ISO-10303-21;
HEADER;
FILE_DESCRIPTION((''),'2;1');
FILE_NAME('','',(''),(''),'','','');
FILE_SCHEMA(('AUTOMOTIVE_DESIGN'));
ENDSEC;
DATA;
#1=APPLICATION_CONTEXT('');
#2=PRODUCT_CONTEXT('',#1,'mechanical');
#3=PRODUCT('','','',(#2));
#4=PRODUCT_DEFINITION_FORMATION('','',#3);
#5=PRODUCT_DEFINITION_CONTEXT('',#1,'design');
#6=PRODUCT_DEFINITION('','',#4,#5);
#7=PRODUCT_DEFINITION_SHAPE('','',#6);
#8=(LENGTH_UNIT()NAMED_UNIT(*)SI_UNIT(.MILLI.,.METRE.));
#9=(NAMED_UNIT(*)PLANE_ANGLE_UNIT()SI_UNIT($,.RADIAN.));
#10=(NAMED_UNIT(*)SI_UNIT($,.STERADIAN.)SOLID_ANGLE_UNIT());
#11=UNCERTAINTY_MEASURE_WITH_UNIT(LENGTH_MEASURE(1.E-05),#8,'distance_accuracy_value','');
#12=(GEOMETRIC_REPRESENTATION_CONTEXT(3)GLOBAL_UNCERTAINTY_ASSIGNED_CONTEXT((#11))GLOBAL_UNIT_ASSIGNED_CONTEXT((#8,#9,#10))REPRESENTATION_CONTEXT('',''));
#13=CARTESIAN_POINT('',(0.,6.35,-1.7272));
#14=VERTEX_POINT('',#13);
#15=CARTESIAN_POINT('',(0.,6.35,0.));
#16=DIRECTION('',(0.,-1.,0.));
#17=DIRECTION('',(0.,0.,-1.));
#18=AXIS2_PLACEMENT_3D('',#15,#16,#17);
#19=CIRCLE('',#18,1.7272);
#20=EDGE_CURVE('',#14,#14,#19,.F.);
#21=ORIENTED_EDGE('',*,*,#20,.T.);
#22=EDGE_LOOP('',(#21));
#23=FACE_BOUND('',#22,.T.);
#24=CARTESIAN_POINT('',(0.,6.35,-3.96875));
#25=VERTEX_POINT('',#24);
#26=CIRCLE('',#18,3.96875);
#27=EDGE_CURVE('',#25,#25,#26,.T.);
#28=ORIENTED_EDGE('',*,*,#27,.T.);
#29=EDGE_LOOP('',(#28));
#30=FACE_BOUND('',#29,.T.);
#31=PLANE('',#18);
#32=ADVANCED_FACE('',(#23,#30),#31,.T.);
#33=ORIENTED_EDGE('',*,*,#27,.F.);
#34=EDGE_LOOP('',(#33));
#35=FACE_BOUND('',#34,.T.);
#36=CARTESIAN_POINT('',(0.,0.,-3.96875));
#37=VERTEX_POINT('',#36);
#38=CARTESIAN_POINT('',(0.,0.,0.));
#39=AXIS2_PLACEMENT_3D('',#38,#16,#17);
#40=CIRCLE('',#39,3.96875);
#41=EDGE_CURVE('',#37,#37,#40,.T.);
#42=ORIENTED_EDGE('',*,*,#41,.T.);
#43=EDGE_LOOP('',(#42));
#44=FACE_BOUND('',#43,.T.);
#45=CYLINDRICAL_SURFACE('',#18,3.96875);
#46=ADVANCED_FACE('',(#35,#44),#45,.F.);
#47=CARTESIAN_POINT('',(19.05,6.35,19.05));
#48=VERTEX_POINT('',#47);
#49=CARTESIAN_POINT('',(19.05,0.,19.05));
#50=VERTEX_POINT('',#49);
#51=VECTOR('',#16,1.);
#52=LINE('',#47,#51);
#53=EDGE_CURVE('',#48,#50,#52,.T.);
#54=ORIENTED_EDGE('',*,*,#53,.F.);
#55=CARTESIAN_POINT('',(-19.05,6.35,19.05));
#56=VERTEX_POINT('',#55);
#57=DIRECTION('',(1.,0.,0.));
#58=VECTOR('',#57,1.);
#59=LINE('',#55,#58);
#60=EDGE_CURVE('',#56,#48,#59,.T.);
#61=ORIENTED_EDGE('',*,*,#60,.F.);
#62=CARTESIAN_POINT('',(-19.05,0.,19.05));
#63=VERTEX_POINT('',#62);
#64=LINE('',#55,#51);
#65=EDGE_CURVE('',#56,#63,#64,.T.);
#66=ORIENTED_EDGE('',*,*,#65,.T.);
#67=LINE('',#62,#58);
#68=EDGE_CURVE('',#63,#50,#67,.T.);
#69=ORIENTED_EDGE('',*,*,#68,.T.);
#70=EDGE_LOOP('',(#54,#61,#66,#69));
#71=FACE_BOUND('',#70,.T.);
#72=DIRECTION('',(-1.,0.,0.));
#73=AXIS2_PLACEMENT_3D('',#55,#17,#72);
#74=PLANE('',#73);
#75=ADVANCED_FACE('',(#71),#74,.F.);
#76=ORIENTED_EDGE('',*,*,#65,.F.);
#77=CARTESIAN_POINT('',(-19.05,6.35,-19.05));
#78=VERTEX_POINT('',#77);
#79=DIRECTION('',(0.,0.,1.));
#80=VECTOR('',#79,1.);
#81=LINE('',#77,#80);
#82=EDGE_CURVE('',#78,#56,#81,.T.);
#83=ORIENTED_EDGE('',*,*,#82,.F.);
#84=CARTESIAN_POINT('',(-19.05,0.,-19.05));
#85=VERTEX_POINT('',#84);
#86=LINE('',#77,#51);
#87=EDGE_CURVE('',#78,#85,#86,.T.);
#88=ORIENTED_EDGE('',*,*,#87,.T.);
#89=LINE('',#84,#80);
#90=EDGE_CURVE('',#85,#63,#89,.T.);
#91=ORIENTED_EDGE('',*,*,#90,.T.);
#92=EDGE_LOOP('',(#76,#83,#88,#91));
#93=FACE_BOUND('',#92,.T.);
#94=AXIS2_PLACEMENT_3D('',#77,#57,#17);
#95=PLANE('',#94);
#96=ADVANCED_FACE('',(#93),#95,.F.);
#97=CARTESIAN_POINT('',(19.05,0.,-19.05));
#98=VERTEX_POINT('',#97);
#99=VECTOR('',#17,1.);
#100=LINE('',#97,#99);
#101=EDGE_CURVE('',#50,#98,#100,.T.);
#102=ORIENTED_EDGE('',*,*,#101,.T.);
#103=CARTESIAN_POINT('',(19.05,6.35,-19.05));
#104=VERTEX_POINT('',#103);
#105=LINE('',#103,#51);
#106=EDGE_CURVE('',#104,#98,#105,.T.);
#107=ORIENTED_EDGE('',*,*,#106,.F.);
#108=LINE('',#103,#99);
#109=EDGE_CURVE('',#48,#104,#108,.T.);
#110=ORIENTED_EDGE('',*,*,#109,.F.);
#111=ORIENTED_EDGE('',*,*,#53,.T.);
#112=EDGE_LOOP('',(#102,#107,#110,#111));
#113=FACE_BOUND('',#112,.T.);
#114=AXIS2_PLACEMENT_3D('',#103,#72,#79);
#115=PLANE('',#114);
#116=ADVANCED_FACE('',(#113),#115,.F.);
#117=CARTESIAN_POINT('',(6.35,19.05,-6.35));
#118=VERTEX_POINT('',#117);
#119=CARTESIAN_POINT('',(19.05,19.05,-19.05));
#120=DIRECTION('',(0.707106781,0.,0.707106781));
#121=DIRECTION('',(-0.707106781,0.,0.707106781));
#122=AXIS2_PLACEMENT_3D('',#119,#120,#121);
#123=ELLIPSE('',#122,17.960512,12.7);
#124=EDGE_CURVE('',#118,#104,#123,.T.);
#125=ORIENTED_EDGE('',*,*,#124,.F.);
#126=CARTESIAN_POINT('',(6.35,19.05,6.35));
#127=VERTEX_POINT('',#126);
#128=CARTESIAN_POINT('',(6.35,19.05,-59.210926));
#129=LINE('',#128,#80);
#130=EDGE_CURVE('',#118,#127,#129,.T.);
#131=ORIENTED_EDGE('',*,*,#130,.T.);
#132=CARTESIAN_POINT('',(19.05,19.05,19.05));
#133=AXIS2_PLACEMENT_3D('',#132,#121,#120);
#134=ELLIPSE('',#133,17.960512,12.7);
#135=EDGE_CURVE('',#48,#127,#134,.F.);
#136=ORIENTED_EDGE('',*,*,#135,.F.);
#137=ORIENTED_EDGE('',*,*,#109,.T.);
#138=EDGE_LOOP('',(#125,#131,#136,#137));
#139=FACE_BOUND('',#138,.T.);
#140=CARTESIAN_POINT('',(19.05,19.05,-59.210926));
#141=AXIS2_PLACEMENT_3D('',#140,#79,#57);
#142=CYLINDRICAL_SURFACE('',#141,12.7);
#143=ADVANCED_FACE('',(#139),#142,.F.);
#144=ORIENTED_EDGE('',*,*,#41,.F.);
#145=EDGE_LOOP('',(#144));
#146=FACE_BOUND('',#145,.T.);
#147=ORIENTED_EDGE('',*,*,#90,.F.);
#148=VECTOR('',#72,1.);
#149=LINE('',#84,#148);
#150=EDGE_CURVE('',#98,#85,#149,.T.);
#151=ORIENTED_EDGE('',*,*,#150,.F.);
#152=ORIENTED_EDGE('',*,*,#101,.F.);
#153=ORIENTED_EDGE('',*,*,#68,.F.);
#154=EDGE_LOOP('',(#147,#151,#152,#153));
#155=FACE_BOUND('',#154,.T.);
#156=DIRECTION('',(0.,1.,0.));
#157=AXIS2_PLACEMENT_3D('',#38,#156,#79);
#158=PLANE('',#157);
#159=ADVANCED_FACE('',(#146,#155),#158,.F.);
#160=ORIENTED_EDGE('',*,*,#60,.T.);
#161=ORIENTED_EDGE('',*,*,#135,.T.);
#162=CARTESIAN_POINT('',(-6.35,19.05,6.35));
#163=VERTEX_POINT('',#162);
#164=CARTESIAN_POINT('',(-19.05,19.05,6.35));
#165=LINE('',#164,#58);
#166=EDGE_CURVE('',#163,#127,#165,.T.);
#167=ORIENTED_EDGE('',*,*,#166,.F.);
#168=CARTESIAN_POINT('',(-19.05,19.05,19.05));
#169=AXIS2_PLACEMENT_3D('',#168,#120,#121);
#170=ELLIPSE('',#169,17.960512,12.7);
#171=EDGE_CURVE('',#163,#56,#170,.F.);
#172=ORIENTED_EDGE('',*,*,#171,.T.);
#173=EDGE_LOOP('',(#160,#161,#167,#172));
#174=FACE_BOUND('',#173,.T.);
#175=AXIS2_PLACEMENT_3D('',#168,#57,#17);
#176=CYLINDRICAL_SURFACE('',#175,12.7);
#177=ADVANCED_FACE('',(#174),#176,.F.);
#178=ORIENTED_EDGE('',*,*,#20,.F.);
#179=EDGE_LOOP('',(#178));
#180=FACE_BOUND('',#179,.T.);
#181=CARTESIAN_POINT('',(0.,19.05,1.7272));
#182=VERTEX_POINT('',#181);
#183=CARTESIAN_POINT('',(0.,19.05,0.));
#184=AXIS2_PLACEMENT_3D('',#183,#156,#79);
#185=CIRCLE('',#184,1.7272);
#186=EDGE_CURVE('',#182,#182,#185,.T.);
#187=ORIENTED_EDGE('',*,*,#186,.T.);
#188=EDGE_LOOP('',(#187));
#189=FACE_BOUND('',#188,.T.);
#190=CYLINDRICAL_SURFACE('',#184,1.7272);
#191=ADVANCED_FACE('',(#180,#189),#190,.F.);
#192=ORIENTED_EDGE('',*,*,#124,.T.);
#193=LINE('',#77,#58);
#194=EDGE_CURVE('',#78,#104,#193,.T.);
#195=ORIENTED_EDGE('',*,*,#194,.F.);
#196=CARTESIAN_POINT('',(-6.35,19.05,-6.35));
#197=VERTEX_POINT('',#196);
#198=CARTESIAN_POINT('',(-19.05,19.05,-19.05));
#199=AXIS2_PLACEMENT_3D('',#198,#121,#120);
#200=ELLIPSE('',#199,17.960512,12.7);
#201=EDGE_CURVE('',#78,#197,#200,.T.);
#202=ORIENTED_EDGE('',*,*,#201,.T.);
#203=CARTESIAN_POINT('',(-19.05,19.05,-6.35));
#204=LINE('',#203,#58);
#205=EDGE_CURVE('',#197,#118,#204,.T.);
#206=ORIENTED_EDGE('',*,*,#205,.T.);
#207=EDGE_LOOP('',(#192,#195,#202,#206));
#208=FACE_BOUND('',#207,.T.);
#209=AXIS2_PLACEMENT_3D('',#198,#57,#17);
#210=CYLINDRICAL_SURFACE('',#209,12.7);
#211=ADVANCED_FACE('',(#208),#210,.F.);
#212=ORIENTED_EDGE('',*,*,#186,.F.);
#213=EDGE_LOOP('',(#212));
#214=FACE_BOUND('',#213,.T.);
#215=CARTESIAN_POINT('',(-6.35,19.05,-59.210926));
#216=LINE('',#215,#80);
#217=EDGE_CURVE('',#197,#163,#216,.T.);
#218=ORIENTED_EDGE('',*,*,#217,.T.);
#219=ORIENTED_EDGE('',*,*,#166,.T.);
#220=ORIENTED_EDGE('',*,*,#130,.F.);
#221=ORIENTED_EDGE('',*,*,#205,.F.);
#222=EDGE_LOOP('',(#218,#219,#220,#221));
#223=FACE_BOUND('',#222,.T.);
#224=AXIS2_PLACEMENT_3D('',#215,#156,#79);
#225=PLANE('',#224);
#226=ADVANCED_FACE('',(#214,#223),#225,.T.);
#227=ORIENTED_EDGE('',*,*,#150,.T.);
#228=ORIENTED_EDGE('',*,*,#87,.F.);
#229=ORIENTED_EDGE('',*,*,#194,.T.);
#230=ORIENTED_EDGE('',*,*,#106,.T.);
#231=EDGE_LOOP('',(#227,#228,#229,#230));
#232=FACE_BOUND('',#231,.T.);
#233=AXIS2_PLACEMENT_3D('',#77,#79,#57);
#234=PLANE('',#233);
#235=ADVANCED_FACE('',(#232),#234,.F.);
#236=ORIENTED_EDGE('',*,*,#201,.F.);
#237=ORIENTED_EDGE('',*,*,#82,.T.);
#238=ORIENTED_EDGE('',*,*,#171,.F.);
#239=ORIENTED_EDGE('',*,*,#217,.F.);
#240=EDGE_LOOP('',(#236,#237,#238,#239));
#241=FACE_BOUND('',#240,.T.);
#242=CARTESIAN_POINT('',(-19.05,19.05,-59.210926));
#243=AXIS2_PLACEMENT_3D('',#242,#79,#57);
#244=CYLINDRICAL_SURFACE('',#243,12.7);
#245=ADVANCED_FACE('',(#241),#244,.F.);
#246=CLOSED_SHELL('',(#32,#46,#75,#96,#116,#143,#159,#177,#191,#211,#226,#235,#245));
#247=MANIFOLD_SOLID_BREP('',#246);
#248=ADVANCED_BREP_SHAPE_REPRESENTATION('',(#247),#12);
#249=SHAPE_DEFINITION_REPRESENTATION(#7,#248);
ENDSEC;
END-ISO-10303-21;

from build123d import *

# Parameters (mm, degrees)
SKETCH1_W             = 38.1
SKETCH1_H             = 38.1
BOSS_EXTRUDE1_DEPTH   = 6.35
BOSS_EXTRUDE2_DEPTH   = 38.1
CUT_EXTRUDE1_DEPTH    = 39.1
F_4_CLEARANCE_HOLE1_D = 3.4544
SKETCH6_R             = 3.96875
CUT_EXTRUDE2_DEPTH    = 6.35


with BuildPart() as part:
    # Sketch1 → Boss-Extrude1 (new body)
    with BuildSketch(Plane(origin=(0, 0, 0), x_dir=(1, 0, 0), z_dir=(0, 1, 0))):
        Rectangle(SKETCH1_W, SKETCH1_H)
    extrude(amount=BOSS_EXTRUDE1_DEPTH)

    # Sketch2 → Boss-Extrude2 (add)
    with BuildSketch(Plane.XY.offset(19.05)):
        with BuildLine():
            Line((-19.05, 6.35), (19.05, 6.35))
            ThreePointArc((19.05, 6.35), (10.069743762, 10.06974368), (6.349999801, 19.049999801))
            Line((6.349999801, 19.049999801), (-6.350000199, 19.049999801))
            ThreePointArc((-6.350000199, 19.049999801), (-10.06974402, 10.069743821), (-19.05, 6.35))
        make_face()
    extrude(amount=-BOSS_EXTRUDE2_DEPTH)

    # Sketch3 → Cut-Extrude1 (cut, through all)
    with BuildSketch(Plane(origin=(19.05, 0, 0), x_dir=(0, 0, -1), z_dir=(1, 0, 0))):
        with BuildLine():
            Line((-19.05, 6.35), (-19.05, 19.049999801))
            Line((-19.05, 19.049999801), (-6.350000199, 19.049999801))
            ThreePointArc((-6.350000199, 19.049999801), (-10.06974402, 10.069743821), (-19.05, 6.35))
        make_face()
        with BuildLine():
            Line((19.05, 6.35), (19.05, 19.049999801))
            Line((19.05, 19.049999801), (6.350000199, 19.049999801))
            ThreePointArc((6.350000199, 19.049999801), (10.06974402, 10.069743821), (19.05, 6.35))
        make_face()
    extrude(amount=-CUT_EXTRUDE1_DEPTH, mode=Mode.SUBTRACT)

    # #4 Clearance Hole1 (through all)
    with Locations(Plane(origin=(0, 19.049999801, 0), x_dir=(1, 0, 0), z_dir=(0, 1, 0))):
        with Locations((0, 0)):
            Hole(F_4_CLEARANCE_HOLE1_D / 2)

    # Sketch6 → Cut-Extrude2 (cut)
    with BuildSketch(Plane.XZ):
        Circle(SKETCH6_R)
    extrude(amount=-CUT_EXTRUDE2_DEPTH, mode=Mode.SUBTRACT)


solid = part.part
